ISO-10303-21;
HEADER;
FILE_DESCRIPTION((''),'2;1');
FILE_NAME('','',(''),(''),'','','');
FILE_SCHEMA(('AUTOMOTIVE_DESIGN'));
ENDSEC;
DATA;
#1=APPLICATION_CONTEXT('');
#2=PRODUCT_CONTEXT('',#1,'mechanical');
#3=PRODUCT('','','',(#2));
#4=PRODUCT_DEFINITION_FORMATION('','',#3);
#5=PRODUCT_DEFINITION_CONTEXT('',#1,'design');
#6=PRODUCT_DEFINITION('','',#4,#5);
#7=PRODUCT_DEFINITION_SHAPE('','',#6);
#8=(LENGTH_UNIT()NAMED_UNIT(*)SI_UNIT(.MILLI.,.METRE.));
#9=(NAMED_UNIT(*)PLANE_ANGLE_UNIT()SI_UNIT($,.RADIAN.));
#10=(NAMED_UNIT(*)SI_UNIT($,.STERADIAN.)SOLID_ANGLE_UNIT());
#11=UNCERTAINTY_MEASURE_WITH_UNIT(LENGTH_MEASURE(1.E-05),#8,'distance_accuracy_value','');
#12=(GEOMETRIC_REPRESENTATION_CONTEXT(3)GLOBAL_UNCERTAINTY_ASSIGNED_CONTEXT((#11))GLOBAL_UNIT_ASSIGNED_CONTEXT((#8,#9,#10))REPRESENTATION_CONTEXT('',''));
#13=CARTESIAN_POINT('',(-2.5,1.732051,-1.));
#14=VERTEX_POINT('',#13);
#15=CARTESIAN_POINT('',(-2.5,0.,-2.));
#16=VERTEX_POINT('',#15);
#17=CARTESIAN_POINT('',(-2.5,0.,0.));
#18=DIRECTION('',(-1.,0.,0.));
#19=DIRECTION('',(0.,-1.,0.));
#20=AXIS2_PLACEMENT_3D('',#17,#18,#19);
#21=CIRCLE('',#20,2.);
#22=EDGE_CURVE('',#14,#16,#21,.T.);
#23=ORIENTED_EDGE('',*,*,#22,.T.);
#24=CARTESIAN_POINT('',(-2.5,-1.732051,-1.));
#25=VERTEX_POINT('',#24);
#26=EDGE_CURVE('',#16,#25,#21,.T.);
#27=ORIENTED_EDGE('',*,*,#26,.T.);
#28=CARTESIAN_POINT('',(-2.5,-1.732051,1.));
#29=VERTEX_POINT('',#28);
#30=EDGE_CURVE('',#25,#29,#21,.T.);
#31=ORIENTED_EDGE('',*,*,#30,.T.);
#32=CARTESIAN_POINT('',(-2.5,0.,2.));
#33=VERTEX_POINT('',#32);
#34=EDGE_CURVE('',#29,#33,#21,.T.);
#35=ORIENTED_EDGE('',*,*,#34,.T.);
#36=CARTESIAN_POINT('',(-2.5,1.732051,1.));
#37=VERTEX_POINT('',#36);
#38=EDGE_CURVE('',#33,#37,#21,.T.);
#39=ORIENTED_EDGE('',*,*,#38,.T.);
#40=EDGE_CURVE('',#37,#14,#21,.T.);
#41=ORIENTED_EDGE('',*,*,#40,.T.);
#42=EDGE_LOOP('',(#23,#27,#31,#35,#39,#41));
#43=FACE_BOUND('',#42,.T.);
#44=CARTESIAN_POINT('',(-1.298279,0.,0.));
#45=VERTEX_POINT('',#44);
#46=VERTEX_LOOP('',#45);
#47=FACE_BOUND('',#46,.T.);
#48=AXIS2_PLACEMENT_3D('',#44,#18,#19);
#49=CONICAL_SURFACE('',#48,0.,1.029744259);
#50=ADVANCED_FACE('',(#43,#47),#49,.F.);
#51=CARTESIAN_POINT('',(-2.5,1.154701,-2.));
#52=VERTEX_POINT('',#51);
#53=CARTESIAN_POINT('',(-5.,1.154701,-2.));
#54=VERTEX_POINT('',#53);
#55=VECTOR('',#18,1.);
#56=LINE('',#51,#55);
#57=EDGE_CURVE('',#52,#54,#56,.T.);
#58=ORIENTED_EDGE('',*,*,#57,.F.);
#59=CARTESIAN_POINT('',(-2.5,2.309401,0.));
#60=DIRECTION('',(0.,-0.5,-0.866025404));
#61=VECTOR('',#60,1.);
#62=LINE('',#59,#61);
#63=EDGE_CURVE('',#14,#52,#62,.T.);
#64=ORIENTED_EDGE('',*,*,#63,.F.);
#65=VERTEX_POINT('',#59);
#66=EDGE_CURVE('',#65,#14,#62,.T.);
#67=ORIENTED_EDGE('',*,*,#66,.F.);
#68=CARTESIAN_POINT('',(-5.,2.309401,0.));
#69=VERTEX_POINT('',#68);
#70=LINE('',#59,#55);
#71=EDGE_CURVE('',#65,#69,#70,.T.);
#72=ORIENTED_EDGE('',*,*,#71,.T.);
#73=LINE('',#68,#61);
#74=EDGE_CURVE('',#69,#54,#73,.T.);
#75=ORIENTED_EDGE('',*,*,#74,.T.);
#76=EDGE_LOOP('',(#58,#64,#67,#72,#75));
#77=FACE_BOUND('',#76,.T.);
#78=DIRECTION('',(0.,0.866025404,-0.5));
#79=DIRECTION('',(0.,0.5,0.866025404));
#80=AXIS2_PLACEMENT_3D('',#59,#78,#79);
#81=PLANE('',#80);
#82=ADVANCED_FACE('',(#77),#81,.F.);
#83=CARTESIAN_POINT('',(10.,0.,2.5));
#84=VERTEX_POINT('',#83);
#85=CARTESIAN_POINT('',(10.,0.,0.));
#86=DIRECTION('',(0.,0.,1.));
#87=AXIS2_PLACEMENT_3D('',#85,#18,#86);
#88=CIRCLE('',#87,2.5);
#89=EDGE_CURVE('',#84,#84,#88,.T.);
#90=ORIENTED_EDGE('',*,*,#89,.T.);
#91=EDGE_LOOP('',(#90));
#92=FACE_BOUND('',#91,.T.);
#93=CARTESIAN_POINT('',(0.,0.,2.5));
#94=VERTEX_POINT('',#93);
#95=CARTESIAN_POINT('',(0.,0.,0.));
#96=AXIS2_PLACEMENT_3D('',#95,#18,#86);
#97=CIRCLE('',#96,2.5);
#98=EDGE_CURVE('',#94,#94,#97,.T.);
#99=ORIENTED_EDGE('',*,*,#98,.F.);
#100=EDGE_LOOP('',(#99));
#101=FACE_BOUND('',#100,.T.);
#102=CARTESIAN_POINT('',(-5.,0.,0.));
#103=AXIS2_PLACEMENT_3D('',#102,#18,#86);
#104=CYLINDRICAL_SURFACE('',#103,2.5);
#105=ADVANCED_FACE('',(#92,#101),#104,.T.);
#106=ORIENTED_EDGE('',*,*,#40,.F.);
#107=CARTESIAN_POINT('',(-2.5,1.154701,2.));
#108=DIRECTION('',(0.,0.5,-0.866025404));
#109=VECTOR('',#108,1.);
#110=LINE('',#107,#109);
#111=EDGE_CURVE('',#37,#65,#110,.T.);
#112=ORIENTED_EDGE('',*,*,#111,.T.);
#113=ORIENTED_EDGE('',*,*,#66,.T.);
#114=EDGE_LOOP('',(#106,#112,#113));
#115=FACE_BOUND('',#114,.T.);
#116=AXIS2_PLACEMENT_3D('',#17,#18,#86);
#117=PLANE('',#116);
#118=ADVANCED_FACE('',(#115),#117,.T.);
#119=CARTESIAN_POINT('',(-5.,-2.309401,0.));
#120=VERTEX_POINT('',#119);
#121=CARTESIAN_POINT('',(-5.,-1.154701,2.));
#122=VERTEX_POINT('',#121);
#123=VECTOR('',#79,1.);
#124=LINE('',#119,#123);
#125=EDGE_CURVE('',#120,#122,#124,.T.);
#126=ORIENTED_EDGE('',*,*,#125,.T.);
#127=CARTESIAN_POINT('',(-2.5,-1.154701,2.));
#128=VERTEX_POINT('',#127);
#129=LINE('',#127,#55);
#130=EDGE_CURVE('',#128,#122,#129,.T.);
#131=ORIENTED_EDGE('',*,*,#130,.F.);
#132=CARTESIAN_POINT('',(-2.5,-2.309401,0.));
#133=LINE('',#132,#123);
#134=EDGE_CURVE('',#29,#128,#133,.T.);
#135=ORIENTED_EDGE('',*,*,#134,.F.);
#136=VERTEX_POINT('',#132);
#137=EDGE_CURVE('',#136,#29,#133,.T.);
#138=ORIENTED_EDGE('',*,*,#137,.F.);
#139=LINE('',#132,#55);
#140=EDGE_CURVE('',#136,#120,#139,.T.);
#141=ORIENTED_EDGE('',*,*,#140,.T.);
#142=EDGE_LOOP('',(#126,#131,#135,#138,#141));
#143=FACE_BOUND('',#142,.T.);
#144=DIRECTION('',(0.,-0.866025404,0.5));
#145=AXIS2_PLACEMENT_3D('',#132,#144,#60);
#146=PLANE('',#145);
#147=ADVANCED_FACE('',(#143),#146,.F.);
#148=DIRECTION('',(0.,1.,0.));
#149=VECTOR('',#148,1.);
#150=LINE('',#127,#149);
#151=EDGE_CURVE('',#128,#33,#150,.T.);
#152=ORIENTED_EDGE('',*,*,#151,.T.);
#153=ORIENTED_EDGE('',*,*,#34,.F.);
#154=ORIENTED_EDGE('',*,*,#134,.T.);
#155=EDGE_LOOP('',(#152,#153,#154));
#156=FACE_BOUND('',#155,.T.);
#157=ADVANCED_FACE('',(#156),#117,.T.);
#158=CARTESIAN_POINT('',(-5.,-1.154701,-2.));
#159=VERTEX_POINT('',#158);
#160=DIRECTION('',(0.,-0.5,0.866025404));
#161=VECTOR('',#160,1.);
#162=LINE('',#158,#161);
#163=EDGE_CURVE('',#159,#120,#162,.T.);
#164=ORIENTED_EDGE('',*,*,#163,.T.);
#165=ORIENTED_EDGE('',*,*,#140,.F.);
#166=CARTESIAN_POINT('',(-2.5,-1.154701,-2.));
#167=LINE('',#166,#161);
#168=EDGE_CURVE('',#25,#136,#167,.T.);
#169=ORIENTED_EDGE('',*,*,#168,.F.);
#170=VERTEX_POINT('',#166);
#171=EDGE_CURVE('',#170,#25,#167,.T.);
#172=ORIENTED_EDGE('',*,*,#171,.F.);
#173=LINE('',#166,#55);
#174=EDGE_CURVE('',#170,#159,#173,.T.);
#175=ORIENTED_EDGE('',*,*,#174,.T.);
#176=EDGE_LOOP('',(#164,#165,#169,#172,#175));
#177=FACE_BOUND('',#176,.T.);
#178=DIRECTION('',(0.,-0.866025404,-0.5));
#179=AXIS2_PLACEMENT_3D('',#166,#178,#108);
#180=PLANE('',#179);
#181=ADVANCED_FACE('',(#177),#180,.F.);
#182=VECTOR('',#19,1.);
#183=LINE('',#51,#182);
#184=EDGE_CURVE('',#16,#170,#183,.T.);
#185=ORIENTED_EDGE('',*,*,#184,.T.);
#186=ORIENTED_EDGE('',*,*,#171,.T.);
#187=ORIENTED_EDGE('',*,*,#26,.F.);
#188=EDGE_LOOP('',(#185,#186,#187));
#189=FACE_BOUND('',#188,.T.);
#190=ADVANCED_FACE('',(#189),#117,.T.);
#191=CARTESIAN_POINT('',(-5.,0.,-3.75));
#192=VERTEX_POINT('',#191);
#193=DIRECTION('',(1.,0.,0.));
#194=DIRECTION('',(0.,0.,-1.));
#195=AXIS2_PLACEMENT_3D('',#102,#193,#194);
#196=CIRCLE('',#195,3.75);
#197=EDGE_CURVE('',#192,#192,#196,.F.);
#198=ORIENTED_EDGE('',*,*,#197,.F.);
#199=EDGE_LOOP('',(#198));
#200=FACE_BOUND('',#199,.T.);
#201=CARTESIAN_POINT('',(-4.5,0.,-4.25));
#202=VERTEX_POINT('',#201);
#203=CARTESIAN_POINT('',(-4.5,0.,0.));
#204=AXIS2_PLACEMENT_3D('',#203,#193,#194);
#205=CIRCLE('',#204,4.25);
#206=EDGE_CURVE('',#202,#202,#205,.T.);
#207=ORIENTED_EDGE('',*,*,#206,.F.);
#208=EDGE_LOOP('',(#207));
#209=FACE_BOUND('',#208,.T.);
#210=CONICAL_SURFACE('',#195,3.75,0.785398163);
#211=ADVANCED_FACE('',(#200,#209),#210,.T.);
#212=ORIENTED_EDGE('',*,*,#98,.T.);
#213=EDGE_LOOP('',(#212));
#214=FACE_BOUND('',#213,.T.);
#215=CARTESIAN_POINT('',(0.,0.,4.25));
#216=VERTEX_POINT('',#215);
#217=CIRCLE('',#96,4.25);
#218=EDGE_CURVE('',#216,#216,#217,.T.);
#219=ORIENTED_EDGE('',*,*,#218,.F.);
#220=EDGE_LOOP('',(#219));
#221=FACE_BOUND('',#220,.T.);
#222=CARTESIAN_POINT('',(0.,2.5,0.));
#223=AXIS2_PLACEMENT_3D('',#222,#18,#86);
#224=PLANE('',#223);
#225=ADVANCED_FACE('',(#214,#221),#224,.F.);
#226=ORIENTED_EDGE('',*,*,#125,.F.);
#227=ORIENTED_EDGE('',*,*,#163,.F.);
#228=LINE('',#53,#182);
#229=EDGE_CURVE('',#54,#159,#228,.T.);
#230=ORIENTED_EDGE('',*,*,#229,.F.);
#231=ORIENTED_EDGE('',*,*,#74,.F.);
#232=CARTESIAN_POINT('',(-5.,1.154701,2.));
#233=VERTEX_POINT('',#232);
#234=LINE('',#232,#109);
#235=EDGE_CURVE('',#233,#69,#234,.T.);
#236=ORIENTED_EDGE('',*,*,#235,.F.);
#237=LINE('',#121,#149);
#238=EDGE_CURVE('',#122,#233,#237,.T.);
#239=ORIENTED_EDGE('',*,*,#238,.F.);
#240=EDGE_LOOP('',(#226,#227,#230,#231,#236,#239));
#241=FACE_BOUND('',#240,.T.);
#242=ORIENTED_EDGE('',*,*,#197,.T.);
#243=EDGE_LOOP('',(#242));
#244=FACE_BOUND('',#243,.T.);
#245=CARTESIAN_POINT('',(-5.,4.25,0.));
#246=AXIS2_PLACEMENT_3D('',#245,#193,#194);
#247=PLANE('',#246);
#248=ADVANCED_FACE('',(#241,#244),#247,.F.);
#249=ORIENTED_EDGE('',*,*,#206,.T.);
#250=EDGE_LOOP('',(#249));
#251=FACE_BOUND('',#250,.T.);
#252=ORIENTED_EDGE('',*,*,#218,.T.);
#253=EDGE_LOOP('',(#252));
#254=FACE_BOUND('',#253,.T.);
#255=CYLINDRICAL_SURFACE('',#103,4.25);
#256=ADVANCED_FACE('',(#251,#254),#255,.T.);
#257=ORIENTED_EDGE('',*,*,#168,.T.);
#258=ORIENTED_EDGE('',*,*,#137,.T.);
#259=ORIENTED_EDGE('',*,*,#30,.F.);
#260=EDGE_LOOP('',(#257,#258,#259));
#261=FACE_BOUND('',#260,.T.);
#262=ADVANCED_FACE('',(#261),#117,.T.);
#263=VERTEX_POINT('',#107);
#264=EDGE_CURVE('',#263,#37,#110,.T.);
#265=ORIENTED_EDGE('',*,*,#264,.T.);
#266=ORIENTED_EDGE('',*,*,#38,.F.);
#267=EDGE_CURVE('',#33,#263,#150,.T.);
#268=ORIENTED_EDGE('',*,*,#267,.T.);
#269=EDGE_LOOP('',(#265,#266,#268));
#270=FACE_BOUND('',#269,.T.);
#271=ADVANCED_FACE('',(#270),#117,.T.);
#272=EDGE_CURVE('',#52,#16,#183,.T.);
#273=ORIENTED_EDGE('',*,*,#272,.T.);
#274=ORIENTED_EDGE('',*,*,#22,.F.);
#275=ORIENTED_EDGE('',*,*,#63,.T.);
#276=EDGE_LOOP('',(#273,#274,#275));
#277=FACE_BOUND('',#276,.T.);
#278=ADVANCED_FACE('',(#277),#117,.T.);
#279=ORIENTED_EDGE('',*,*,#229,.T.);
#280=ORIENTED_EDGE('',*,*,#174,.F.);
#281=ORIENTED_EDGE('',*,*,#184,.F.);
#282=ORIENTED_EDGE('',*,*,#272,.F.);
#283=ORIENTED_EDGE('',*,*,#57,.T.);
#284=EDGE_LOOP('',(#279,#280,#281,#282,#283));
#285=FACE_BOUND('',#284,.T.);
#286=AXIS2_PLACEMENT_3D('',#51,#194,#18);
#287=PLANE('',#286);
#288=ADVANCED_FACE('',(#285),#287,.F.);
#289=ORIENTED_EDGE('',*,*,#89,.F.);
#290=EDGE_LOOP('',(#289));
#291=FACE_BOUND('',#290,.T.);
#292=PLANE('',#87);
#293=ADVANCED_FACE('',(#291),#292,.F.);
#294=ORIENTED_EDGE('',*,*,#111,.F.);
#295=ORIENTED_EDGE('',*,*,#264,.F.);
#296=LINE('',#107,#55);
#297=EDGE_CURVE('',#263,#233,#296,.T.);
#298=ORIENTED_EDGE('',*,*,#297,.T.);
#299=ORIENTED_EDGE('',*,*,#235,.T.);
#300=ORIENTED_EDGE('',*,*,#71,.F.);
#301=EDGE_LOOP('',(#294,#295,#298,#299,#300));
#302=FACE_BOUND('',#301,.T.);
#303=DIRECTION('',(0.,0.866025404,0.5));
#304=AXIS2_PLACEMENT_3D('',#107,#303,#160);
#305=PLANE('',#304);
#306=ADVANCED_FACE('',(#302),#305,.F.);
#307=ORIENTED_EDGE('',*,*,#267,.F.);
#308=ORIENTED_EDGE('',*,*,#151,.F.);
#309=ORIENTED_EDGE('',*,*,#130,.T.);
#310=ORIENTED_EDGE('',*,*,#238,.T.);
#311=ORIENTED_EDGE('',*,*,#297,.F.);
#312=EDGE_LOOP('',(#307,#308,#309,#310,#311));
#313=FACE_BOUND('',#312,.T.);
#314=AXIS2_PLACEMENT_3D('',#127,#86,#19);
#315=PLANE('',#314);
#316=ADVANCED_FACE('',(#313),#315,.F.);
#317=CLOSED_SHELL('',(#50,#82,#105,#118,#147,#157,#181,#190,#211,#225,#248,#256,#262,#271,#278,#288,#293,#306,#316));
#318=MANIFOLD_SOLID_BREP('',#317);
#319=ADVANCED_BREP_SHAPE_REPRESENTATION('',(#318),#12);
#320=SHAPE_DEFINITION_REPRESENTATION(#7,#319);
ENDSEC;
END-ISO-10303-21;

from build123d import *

# Parameters (mm, degrees)
CHAMFER1_SIZE      = 0.5
CUT_EXTRUDE1_DEPTH = 2.5


with BuildPart() as part:
    # Sketch1 → Revolve1 (revolve)
    with BuildSketch(Plane.XY):
        Polygon((-5, 0), (10, 0), (10, 2.5), (0, 2.5), (0, 4.25), (-5, 4.25), align=None)
    revolve(axis=Axis((-5, 0, 0), (1, 0, 0)))

    # Chamfer1
    chamfer1_edges = [part.edges().sort_by_distance(p)[0] for p in [
        (-5, -4.25, 0),
    ]]
    chamfer(chamfer1_edges, length=CHAMFER1_SIZE)

    # Sketch2 → Cut-Revolve1 (revolve, cut)
    with BuildSketch(Plane.XY):
        Polygon((-1.298278762, 0), (-2.5, 2), (-5, 2), (-5, 0), align=None)
    revolve(axis=Axis((-5, 0, 0), (1, 0, 0)), mode=Mode.SUBTRACT)

    # Sketch3 → Cut-Extrude1 (cut)
    with BuildSketch(Plane.ZY.offset(5)):
        Polygon((0, -2.309401077), (2, -1.154700538), (2, 1.154700538), (0, 2.309401077), (-2, 1.154700538), (-2, -1.154700538), align=None)
    extrude(amount=-CUT_EXTRUDE1_DEPTH, mode=Mode.SUBTRACT)


solid = part.part
